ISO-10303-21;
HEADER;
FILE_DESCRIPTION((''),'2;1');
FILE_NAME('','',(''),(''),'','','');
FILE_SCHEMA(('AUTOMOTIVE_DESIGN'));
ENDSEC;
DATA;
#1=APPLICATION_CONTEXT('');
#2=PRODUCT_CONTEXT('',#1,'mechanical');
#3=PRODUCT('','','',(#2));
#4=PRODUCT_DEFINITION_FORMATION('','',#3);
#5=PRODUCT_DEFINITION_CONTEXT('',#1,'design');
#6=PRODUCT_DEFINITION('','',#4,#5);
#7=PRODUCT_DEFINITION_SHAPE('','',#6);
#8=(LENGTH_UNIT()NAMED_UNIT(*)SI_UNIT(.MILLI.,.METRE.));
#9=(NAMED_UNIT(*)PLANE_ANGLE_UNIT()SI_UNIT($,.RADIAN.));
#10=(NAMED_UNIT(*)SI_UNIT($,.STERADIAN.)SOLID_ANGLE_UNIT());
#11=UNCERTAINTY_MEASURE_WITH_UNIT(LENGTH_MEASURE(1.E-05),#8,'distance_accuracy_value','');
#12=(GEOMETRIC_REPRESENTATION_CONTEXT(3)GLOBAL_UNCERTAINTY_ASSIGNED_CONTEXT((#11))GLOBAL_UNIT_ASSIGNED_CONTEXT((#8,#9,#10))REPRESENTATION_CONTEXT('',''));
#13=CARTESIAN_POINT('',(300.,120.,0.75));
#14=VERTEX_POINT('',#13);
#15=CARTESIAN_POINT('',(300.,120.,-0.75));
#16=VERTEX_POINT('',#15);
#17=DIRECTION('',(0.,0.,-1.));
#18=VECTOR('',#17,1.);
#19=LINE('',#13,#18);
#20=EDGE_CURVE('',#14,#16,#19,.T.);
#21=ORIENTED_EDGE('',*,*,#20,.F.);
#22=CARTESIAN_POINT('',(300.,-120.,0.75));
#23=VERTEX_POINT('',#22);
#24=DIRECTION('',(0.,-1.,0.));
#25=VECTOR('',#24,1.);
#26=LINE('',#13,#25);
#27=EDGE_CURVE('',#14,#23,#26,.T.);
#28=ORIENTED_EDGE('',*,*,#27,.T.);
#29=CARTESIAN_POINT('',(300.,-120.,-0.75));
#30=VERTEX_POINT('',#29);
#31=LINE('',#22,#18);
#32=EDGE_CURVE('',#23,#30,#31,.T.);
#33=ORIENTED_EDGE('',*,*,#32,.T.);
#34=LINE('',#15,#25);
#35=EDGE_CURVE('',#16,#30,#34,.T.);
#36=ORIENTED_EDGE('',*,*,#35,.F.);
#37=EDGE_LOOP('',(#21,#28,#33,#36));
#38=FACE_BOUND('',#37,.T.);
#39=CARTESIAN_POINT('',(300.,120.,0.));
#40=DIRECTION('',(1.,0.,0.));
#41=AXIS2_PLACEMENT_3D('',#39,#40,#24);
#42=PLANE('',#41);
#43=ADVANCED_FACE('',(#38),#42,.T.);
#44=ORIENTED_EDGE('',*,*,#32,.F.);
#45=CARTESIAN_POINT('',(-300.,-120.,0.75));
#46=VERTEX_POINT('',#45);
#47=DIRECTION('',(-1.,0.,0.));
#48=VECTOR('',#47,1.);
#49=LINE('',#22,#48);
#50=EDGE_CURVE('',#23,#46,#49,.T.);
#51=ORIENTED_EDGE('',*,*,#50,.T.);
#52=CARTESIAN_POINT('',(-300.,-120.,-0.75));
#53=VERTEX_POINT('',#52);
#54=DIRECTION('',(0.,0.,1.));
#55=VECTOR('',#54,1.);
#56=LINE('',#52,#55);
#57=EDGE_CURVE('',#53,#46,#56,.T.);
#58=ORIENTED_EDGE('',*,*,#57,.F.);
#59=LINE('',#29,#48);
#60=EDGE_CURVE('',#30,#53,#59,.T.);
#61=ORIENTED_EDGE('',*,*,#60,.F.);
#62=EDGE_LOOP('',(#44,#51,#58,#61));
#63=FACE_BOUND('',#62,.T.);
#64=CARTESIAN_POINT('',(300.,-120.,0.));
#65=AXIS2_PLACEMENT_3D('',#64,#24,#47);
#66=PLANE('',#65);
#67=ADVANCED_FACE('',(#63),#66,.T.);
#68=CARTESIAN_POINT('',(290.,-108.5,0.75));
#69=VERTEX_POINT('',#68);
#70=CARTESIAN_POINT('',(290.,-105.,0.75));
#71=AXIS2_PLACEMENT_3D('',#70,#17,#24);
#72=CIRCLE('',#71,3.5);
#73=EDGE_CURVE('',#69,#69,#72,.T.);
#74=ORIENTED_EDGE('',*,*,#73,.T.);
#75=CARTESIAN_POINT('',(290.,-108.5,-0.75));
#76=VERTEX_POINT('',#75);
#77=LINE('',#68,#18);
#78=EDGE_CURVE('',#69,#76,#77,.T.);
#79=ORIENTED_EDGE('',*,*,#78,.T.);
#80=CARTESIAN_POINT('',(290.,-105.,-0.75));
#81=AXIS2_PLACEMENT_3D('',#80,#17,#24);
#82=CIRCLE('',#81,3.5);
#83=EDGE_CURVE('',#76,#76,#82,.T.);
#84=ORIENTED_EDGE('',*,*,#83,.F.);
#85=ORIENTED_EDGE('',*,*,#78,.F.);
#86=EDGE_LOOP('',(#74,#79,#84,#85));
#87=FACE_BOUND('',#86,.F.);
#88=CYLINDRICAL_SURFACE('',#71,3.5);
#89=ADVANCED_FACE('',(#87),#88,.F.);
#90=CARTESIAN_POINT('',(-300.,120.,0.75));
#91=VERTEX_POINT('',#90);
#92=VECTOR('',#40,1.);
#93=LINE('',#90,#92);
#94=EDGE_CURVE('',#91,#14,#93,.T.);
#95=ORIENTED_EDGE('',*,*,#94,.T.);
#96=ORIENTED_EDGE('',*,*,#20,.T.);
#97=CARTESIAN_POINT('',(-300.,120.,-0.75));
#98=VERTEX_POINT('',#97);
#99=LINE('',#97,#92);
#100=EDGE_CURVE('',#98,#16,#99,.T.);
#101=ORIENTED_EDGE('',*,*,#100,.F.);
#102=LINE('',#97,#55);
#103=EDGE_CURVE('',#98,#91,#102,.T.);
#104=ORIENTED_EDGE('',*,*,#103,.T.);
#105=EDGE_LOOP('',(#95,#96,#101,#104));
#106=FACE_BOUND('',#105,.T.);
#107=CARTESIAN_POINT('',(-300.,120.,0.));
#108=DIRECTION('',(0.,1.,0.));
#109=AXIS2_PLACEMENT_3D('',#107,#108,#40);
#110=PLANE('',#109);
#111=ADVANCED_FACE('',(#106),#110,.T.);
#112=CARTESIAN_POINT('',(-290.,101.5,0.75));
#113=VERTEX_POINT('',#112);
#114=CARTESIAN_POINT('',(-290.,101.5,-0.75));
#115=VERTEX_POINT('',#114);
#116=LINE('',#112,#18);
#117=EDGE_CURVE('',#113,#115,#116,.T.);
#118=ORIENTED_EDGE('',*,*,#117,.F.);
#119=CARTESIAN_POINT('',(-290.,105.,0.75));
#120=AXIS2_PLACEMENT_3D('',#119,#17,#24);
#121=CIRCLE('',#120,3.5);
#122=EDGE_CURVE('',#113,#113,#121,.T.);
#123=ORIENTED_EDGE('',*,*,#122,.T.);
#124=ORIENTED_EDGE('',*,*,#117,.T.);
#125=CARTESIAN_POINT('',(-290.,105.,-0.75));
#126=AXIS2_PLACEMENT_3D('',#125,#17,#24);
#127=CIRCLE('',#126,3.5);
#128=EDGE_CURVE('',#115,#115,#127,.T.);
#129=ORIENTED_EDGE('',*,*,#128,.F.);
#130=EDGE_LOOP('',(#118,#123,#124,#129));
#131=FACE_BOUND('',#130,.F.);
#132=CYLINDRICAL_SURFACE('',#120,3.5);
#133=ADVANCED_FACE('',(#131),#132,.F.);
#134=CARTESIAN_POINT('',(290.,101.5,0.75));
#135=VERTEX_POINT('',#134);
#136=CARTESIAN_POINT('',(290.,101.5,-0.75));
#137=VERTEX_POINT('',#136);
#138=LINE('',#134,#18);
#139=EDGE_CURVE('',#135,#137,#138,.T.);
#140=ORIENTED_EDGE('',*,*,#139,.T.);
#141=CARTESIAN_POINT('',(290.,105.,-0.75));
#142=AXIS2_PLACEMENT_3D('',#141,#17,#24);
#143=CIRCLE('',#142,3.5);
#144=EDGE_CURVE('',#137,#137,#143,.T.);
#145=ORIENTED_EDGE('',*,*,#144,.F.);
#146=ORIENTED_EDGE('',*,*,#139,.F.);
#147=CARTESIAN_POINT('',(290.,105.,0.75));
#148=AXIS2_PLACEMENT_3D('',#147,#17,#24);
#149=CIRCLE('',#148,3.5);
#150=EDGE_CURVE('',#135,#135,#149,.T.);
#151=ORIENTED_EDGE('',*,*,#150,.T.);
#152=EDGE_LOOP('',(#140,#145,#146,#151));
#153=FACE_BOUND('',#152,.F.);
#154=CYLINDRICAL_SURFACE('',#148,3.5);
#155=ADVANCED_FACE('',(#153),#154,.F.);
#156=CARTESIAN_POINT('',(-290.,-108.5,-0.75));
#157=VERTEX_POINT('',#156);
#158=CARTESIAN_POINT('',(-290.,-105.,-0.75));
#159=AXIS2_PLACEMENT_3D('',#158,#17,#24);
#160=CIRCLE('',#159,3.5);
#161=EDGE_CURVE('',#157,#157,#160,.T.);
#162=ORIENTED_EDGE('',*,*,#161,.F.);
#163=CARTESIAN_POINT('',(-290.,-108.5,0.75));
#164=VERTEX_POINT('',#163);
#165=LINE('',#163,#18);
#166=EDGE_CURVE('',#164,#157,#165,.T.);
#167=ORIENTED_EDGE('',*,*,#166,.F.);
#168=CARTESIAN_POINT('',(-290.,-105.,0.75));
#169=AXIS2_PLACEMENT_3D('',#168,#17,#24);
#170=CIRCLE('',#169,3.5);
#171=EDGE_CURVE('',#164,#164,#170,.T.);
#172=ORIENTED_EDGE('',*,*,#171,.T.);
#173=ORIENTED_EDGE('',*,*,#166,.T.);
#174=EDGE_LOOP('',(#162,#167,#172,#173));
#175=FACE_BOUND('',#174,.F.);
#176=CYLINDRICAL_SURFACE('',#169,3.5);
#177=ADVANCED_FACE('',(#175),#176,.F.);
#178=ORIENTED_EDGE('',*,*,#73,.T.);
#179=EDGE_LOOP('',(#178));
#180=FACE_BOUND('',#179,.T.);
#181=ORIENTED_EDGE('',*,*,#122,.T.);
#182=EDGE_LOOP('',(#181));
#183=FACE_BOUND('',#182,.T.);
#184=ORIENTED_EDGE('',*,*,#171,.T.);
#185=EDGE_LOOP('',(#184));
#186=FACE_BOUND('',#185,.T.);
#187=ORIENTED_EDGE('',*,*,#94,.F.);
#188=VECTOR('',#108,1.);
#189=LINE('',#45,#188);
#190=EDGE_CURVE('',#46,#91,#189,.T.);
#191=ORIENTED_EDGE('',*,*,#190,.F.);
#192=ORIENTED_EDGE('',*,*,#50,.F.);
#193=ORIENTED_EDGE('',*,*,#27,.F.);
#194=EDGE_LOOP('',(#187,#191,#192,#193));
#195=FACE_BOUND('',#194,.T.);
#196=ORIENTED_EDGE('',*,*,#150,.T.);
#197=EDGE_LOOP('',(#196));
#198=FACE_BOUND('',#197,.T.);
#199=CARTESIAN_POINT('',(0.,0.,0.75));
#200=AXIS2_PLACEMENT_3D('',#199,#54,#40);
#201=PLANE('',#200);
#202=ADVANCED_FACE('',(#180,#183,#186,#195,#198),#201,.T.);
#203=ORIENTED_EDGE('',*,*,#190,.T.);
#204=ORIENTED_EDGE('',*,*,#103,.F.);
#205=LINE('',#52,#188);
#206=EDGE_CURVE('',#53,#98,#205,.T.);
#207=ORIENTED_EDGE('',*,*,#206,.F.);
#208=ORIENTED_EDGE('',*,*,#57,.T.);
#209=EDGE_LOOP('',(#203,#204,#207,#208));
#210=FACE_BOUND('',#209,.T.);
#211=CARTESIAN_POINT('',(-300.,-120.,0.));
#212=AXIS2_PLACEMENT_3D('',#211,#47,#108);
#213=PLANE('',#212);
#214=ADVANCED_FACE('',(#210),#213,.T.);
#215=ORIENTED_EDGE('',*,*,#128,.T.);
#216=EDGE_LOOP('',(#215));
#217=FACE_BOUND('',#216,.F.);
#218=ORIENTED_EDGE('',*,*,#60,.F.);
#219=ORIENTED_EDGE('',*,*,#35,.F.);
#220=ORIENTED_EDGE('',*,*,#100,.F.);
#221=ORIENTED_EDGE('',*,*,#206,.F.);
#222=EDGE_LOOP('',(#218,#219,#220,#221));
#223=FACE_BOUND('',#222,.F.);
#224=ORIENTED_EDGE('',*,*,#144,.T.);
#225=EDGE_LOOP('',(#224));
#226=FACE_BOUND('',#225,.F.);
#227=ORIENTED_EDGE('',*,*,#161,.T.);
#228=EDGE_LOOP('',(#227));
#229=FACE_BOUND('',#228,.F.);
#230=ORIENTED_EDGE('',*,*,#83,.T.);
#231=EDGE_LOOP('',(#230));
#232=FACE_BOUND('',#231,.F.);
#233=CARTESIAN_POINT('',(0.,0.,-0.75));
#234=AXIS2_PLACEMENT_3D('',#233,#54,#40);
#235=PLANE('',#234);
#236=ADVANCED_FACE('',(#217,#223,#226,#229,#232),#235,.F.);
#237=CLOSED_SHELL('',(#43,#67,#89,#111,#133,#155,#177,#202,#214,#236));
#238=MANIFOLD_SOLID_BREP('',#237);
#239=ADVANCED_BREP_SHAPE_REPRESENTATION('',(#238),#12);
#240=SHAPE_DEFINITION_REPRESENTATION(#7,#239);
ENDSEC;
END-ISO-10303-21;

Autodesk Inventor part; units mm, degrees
ref_plane "YZ Plane" through (0, 0, 0) normal (1, 0, 0) x (0, 1, 0)
ref_plane "XZ Plane" through (0, 0, 0) normal (0, 1, 0) x (-1, 0, 0)
ref_plane "XY Plane" through (0, 0, 0) normal (0, 0, 1) x (1, 0, 0)
sketch "Sketch1" plane through (0, 0, 0) normal (0, 0, 1) x (1, 0, 0)
  line L0 (-300, 120) -> (300, 120)
  line L1 (300, 120) -> (300, -120)
  line L2 (300, -120) -> (-300, -120)
  line L3 (-300, -120) -> (-300, 120)
  line L4 (-300, 120) -> (300, -120) construction
  line L5 (300, 120) -> (-300, -120) construction
  point P0 (0, 0)
  dimension "d0" = 600
  dimension "d1" = 240
extrude "Plate1" add sketch "Sketch1" along normal mid plane 1.5
sketch "Sketch2" plane through (0, 0, 0.75) normal (0, 0, 1) x (1, 0, 0)
  line L0 (-300, 120) -> (300, 120) projected
  line L1 (-300, -120) -> (-300, 120) projected
  line L2 (300, 120) -> (300, -120) projected
  line L3 (300, -120) -> (-300, -120) projected
  point P0 (0, 0)
  point P1 (-290, 105)
  point P2 (290, 105)
  point P3 (290, -105)
  point P4 (-290, -105)
  dimension "d3" = 15
  dimension "d4" = 10
  dimension "d5" = 10
  dimension "d6" = 15
hole "Hole1" at (-290, 105, 0.75) at (290, 105, 0.75) at (290, -105, 0.75) at (-290, -105, 0.75) direction (0, 0, -1) diameter 7 end through all
equation "\"d12\" = Thickness"
equation "\"d2\" = Thickness"
equation "\"BendRadius\" = Thickness"
equation "\"BendReliefWidth\" = Thickness"
equation "\"BendReliefDepth\" = 0.5 * Thickness"
equation "\"CornerReliefSize\" = 4 * Thickness"
equation "\"MinimumRemnant\" = 2 * Thickness"
equation "\"TransitionRadius\" = BendRadius"
equation "\"JacobiRadiusSize\" = BendRadius"
equation "\"GapSize\" = Thickness"
equation "\"Thickness\" = 1.5"
properties part number "HCMUTE-CDT23-MAT_TRUOT" material "PMMA Plastic"
